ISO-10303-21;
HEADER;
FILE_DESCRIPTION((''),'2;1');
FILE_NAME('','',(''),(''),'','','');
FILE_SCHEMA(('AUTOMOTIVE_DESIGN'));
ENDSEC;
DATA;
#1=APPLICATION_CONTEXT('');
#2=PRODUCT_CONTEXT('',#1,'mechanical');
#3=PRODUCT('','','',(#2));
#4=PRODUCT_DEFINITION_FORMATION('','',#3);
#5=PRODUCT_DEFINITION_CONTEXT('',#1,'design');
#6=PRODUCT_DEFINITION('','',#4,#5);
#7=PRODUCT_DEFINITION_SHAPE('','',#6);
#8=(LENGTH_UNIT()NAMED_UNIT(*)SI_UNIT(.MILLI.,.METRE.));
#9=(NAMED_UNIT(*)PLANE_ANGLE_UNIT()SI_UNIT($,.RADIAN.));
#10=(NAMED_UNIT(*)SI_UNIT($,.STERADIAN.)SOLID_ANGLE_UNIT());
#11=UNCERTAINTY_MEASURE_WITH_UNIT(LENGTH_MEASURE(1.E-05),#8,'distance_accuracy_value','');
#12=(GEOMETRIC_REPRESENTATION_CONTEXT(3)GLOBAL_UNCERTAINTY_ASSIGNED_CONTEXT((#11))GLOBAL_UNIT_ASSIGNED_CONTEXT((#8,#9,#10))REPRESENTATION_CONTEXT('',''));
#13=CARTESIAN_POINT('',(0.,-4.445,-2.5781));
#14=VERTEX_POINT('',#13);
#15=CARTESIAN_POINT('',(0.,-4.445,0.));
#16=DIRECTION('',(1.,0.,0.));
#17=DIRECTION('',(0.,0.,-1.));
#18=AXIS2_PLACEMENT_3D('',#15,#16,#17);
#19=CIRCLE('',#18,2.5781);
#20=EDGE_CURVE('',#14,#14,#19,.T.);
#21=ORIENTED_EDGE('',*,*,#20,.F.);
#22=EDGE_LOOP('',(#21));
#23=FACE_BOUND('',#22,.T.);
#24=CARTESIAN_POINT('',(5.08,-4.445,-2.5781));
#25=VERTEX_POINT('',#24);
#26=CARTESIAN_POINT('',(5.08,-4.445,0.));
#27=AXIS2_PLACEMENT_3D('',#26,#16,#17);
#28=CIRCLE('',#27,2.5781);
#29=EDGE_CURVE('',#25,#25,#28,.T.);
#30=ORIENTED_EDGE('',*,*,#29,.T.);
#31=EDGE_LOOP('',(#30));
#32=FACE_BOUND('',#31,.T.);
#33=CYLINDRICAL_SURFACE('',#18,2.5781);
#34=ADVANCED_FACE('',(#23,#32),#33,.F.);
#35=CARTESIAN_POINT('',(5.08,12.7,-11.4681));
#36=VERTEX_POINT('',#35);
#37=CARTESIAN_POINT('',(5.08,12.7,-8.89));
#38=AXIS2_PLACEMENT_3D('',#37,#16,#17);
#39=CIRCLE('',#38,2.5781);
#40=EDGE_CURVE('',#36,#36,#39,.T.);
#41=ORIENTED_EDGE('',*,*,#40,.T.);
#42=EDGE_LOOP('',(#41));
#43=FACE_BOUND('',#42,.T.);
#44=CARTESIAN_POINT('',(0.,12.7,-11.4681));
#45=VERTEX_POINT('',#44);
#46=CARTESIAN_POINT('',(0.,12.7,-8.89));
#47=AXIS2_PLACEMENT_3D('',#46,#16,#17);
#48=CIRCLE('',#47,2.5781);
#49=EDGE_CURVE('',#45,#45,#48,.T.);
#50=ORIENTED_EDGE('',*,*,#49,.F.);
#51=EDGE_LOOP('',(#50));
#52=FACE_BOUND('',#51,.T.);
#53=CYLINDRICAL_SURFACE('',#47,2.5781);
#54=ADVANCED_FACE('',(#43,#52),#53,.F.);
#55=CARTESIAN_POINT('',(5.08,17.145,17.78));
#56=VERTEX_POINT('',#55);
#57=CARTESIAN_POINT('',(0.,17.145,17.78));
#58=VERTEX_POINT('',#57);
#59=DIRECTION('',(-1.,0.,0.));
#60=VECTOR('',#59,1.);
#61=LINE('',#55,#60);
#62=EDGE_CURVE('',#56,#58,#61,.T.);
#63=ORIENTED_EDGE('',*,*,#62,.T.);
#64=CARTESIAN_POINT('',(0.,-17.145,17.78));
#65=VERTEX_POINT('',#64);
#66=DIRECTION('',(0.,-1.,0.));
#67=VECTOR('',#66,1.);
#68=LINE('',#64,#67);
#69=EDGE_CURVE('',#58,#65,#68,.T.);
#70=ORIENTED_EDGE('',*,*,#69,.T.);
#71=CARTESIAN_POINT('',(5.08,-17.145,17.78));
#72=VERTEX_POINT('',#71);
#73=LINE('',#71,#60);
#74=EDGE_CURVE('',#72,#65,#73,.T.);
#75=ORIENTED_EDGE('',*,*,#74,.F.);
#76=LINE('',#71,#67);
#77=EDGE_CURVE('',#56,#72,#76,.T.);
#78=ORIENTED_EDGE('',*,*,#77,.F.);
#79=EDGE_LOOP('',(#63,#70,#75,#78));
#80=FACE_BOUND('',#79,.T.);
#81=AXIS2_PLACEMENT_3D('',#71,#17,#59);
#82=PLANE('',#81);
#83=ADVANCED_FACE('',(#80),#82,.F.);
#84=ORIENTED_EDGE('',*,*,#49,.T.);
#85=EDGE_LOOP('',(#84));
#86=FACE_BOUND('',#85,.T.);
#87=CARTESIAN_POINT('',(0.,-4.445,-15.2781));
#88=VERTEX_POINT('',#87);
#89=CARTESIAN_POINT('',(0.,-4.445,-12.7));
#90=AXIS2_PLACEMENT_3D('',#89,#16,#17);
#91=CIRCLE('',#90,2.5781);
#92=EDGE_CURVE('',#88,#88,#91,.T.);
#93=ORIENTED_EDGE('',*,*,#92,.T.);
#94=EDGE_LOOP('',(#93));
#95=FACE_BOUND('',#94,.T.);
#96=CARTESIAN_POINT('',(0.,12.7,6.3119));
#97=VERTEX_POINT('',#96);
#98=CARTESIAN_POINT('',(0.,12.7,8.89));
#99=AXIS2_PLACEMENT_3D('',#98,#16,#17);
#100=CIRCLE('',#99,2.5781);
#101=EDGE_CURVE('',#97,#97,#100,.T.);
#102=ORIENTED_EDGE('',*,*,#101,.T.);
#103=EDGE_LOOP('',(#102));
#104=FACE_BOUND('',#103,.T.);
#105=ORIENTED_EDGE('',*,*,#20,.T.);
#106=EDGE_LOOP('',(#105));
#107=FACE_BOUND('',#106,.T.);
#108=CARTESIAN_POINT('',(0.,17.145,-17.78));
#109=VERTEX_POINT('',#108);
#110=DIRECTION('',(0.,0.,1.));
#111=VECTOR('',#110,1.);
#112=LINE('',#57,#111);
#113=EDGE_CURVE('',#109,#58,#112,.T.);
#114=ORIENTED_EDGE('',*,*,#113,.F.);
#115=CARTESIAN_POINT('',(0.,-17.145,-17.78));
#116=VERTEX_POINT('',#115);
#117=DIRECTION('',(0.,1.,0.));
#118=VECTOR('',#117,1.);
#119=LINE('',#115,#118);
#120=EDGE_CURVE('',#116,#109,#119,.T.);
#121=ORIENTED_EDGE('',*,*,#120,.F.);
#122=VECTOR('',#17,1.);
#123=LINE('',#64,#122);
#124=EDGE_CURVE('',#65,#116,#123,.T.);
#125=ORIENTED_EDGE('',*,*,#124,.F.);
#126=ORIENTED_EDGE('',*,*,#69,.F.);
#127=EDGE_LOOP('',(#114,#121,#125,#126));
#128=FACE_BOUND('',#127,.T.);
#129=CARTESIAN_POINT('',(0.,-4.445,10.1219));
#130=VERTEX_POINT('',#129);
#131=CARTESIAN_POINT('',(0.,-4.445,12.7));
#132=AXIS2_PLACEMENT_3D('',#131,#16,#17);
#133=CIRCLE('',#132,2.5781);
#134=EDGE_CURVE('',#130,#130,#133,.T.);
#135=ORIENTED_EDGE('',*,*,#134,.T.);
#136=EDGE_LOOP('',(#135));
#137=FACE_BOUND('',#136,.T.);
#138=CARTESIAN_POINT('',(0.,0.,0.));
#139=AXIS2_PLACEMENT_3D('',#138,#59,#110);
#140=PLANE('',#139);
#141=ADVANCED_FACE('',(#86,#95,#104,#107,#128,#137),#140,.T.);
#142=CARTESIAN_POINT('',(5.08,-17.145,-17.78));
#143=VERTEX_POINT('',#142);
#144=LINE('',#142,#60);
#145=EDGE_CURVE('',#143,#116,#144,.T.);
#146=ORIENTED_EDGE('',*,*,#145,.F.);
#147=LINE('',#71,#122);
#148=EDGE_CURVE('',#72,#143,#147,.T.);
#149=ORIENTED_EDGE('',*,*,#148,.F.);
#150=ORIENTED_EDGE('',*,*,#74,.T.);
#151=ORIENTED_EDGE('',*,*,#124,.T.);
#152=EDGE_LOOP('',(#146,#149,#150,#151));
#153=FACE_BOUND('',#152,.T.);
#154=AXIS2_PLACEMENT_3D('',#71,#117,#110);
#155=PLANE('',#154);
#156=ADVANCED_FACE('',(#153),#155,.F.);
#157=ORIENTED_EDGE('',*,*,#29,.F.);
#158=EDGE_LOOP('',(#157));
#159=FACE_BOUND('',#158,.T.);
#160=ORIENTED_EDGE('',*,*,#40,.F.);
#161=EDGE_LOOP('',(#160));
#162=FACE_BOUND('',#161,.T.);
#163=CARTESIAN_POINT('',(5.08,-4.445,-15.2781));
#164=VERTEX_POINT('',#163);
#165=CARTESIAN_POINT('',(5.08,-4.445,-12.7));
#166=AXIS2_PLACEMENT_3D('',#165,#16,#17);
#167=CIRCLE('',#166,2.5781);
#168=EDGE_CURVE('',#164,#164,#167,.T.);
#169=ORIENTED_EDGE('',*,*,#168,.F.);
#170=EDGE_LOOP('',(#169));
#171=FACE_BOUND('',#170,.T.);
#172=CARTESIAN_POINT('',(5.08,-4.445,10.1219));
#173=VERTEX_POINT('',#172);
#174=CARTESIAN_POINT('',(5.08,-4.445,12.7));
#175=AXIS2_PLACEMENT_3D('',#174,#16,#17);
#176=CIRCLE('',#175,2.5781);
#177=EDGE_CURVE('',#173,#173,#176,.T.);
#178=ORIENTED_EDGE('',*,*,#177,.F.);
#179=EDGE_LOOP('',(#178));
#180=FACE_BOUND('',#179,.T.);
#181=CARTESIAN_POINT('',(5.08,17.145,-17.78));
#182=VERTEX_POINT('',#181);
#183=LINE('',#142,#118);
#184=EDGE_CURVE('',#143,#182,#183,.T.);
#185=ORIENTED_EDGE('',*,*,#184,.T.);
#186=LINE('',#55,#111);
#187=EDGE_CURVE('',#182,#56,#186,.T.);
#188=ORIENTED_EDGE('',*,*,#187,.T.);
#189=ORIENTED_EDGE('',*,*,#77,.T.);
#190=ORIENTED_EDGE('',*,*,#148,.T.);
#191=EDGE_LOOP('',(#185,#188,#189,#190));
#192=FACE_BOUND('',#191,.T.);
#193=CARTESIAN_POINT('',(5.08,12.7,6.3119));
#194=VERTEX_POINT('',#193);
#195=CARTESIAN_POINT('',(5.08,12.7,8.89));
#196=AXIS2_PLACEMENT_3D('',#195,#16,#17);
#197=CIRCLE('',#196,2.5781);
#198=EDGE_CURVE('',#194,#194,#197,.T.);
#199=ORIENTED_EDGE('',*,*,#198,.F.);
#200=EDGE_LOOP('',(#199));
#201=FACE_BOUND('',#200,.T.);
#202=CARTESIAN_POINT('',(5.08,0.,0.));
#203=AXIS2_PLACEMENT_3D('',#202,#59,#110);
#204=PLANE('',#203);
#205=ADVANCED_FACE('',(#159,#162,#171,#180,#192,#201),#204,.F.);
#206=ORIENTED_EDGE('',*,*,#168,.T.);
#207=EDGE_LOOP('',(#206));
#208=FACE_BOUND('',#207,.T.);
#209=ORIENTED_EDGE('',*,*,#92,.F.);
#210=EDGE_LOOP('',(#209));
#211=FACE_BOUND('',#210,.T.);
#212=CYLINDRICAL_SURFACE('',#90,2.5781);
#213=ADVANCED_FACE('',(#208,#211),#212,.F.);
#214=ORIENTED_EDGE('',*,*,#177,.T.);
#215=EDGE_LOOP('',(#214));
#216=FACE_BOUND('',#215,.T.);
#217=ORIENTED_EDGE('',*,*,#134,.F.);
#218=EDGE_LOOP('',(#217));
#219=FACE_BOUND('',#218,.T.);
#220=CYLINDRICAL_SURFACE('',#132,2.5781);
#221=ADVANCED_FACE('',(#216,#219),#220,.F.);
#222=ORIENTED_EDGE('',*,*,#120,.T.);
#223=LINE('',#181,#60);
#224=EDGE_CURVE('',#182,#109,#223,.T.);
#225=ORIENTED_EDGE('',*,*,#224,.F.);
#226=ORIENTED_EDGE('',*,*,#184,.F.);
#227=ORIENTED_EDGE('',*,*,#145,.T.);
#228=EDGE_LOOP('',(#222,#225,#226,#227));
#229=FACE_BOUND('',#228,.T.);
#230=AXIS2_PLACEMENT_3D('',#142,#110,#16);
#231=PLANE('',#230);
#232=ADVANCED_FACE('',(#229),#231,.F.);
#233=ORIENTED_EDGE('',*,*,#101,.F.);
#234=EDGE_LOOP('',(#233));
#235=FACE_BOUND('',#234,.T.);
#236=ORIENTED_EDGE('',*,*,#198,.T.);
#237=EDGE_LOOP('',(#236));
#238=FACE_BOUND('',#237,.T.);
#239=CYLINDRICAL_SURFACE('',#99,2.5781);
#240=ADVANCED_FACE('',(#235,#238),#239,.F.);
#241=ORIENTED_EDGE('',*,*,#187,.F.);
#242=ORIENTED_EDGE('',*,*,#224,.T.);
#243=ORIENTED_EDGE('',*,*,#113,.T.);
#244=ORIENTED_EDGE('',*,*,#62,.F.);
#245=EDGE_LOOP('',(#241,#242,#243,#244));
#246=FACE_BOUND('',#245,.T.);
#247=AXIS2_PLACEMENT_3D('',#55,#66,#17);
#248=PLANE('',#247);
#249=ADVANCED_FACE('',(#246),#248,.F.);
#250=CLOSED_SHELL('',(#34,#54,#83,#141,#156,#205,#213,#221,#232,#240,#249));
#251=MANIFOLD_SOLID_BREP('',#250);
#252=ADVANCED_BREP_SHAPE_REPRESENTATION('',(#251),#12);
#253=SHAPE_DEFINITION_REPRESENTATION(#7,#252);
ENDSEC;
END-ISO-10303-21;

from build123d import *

# Parameters (mm, degrees)
SKETCH1_W           = 35.56
SKETCH1_H           = 34.29
BOSS_EXTRUDE1_DEPTH = 5.08
SKETCH2_R           = 2.5781
CUT_EXTRUDE1_DEPTH  = 26.216776658


with BuildPart() as part:
    # Sketch1 → Boss-Extrude1 (new body)
    with BuildSketch(Plane(origin=(0, 0, 0), x_dir=(0, 0, -1), z_dir=(1, 0, 0))):
        Rectangle(SKETCH1_W, SKETCH1_H)
    extrude(amount=BOSS_EXTRUDE1_DEPTH)

    # Sketch2 → Cut-Extrude1 (cut, through all)
    with BuildSketch(Plane(origin=(5.08, 0, 0), x_dir=(0, 0, -1), z_dir=(1, 0, 0))):
        with Locations((-8.89, 12.7)):
            Circle(SKETCH2_R)
        with Locations((8.89, 12.7)):
            Circle(SKETCH2_R)
        with Locations((-12.7, -4.445)):
            Circle(SKETCH2_R)
        with Locations((0, -4.445)):
            Circle(SKETCH2_R)
        with Locations((12.7, -4.445)):
            Circle(SKETCH2_R)
    extrude(amount=-CUT_EXTRUDE1_DEPTH, mode=Mode.SUBTRACT)


solid = part.part
